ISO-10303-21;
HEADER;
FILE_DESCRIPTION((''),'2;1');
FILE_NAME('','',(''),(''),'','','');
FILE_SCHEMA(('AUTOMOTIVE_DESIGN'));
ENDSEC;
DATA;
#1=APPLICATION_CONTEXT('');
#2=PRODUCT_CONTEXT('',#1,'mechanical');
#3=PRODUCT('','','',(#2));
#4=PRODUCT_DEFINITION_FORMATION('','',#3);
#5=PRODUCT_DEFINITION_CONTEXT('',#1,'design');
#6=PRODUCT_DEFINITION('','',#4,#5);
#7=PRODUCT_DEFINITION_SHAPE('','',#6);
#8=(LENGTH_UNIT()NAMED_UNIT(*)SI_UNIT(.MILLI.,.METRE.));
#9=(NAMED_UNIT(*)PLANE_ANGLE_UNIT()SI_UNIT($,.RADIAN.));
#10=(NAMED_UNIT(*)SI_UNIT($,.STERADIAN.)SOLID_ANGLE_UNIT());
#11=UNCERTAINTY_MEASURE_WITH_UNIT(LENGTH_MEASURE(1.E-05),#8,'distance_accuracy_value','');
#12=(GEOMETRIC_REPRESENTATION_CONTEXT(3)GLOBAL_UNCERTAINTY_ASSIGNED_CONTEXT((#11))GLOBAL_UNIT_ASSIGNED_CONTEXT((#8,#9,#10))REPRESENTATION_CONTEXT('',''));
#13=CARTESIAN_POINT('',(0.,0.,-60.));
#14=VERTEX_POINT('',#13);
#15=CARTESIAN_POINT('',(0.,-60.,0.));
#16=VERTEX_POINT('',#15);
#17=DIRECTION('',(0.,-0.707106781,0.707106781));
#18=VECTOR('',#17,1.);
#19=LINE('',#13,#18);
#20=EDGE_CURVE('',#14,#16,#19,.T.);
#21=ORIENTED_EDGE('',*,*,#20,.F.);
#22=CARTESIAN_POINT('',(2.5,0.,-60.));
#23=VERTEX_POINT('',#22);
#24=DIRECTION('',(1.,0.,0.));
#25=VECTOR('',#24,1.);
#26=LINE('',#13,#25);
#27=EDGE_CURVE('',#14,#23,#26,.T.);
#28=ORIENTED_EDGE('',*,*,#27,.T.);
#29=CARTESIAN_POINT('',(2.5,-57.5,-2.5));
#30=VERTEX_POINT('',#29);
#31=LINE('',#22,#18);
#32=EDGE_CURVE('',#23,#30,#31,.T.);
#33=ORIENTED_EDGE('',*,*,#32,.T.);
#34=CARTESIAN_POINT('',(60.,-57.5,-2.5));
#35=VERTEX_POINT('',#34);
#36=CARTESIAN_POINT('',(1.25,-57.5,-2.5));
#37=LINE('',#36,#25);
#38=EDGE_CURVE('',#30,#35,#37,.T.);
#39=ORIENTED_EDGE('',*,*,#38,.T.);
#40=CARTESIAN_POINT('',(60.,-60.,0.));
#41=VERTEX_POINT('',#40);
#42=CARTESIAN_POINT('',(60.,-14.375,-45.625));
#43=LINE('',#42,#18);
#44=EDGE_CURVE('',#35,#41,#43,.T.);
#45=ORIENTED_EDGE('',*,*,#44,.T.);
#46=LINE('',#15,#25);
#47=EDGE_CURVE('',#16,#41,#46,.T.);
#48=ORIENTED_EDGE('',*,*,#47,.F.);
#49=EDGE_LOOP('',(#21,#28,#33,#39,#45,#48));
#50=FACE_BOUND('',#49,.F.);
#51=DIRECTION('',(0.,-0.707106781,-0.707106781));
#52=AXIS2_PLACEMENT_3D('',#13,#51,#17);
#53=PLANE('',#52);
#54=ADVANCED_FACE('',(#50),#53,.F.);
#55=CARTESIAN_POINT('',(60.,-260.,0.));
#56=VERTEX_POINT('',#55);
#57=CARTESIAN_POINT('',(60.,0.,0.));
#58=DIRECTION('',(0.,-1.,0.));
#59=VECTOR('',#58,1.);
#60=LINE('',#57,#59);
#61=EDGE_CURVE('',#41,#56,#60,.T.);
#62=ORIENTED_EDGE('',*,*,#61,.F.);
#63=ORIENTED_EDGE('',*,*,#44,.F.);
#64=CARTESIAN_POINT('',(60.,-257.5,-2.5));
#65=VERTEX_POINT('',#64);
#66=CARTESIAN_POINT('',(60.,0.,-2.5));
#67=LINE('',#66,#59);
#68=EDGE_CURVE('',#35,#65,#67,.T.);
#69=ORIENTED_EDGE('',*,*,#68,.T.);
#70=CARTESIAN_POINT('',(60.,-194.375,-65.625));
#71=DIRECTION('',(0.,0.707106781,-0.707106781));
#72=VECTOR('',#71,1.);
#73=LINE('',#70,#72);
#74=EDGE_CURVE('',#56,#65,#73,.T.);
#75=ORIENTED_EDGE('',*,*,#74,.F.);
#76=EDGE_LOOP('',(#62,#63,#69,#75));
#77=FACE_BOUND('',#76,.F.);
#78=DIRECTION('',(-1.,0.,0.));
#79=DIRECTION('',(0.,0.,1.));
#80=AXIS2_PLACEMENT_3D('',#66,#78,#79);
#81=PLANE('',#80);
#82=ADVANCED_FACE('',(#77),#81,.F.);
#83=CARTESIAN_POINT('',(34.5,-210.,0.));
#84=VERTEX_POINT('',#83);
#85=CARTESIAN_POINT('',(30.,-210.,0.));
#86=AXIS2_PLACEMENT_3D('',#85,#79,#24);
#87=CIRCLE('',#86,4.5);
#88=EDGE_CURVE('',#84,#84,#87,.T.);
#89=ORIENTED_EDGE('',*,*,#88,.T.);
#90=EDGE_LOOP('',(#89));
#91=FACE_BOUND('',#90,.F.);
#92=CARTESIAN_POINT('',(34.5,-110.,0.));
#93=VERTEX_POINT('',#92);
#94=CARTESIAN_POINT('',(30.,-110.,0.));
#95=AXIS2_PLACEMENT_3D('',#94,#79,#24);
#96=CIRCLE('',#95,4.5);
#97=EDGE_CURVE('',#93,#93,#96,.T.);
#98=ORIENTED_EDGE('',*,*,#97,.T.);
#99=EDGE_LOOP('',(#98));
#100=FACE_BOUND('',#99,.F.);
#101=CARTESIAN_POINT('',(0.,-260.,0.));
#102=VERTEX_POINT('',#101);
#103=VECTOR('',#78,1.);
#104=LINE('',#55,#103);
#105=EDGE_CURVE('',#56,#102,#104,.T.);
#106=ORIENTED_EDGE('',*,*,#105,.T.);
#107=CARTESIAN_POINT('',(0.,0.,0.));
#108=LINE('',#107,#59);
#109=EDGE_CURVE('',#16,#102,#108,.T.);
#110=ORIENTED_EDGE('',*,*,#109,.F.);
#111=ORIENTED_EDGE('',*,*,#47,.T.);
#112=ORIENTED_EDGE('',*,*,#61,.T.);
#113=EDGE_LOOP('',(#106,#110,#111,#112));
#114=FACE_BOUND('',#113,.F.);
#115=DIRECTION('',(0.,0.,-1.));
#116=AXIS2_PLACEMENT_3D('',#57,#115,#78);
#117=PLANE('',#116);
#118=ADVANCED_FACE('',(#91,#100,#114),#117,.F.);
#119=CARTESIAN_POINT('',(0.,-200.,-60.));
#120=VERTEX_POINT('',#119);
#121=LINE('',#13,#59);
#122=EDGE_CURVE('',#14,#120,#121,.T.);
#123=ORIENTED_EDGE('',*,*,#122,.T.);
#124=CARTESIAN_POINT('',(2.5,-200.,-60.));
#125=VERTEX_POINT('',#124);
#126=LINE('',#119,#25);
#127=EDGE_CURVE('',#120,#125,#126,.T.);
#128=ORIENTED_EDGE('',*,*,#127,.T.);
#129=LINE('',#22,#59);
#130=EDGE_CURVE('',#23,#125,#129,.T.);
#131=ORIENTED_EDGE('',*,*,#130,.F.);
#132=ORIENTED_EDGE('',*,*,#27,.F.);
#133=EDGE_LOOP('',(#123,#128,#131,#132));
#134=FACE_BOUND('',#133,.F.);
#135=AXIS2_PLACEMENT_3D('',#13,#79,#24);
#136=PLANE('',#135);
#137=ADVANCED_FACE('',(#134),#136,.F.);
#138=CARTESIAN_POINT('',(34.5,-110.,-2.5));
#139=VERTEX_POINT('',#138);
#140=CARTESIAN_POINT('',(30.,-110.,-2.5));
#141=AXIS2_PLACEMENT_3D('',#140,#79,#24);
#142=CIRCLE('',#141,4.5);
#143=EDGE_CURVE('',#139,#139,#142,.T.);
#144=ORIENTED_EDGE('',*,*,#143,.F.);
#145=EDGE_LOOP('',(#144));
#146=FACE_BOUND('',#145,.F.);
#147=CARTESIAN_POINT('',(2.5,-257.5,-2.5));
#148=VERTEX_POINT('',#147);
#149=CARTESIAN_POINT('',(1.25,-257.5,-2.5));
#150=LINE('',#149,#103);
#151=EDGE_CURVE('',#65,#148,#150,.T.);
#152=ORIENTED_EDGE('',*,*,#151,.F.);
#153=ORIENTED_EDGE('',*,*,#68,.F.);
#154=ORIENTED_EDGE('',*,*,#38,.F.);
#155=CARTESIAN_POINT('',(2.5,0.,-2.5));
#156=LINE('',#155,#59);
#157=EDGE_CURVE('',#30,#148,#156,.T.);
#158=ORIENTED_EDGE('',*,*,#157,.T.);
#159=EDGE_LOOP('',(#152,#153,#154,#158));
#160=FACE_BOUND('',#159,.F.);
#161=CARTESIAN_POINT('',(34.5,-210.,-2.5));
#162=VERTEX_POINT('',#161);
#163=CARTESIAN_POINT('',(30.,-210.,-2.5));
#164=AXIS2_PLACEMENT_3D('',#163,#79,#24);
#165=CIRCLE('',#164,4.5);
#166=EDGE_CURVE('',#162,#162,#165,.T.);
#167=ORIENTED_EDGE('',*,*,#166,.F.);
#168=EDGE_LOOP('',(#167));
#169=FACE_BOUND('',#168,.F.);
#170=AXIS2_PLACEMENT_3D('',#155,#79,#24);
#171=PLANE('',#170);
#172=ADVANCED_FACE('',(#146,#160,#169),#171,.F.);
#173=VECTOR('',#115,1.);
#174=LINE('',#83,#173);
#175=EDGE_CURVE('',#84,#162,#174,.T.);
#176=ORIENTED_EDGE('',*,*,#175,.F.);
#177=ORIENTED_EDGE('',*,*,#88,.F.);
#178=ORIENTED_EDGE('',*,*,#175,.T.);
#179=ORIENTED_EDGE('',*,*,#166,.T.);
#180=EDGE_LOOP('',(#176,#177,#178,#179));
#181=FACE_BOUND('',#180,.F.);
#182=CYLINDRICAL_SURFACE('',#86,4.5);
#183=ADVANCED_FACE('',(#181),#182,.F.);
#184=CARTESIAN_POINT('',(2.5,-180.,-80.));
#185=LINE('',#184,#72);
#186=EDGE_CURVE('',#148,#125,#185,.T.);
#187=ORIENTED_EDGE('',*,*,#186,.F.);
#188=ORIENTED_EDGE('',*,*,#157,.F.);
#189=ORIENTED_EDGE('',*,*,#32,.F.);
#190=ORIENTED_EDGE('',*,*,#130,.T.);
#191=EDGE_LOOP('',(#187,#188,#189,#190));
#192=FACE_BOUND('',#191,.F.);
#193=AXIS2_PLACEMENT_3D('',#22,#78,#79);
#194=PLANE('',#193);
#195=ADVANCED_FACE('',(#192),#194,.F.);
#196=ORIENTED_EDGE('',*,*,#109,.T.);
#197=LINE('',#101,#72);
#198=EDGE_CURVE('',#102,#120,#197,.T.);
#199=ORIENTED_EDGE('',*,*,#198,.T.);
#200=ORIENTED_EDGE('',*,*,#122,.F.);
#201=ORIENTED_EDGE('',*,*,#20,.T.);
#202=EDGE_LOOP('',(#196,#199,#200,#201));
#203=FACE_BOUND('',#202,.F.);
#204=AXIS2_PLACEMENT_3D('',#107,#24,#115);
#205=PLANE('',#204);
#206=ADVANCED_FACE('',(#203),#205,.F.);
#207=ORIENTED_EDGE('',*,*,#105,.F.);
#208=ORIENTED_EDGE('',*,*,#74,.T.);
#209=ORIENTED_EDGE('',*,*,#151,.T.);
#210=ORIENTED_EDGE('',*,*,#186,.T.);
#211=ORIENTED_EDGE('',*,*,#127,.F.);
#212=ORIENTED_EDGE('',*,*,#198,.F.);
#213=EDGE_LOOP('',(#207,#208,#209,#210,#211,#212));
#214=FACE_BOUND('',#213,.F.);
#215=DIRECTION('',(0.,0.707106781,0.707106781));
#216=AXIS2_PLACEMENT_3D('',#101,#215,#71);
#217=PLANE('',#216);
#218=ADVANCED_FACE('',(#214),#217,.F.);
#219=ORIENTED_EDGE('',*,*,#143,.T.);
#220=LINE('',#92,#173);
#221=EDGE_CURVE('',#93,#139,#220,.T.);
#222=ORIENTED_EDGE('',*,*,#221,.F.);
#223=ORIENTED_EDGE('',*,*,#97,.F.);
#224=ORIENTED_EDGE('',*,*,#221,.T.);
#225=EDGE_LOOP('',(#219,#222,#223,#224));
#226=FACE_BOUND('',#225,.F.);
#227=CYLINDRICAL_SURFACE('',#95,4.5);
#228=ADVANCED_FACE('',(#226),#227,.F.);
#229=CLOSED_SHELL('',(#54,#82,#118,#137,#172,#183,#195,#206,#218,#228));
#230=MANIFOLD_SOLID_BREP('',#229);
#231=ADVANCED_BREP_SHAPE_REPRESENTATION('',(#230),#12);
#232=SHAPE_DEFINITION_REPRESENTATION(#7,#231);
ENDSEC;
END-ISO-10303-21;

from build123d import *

# Parameters (mm, degrees)
F1_DEPTH = 260
F3_DEPTH = 60.001
F4_R     = 4.5
F5_DEPTH = 60.001


with BuildPart() as f1:
    # F0 (on Front) → F1 (new body)
    with BuildSketch(Plane.XZ):
        Polygon((60, 0), (0, 0), (0, -60), (2.5, -60), (2.5, -2.5), (60, -2.5), align=None)
    extrude(amount=F1_DEPTH)

    # F2 (on face) → F3 (cut, through all)
    with BuildSketch(Plane(origin=(0, 0, 0), x_dir=(0, -1, 0), z_dir=(-1, 0, 0))):
        Polygon((0, 0), (0, -60), (60, 0), align=None)
        Polygon((260, -60), (260, 0), (200, -60), align=None)
    extrude(amount=-F3_DEPTH, mode=Mode.SUBTRACT)

    # F4 (on face) → F5 (cut, through all)
    with BuildSketch(Plane.XY):
        with Locations((30, -110)):
            Circle(F4_R)
        with Locations((30, -210)):
            Circle(F4_R)
    extrude(amount=-F5_DEPTH, mode=Mode.SUBTRACT)


solid = f1.part
